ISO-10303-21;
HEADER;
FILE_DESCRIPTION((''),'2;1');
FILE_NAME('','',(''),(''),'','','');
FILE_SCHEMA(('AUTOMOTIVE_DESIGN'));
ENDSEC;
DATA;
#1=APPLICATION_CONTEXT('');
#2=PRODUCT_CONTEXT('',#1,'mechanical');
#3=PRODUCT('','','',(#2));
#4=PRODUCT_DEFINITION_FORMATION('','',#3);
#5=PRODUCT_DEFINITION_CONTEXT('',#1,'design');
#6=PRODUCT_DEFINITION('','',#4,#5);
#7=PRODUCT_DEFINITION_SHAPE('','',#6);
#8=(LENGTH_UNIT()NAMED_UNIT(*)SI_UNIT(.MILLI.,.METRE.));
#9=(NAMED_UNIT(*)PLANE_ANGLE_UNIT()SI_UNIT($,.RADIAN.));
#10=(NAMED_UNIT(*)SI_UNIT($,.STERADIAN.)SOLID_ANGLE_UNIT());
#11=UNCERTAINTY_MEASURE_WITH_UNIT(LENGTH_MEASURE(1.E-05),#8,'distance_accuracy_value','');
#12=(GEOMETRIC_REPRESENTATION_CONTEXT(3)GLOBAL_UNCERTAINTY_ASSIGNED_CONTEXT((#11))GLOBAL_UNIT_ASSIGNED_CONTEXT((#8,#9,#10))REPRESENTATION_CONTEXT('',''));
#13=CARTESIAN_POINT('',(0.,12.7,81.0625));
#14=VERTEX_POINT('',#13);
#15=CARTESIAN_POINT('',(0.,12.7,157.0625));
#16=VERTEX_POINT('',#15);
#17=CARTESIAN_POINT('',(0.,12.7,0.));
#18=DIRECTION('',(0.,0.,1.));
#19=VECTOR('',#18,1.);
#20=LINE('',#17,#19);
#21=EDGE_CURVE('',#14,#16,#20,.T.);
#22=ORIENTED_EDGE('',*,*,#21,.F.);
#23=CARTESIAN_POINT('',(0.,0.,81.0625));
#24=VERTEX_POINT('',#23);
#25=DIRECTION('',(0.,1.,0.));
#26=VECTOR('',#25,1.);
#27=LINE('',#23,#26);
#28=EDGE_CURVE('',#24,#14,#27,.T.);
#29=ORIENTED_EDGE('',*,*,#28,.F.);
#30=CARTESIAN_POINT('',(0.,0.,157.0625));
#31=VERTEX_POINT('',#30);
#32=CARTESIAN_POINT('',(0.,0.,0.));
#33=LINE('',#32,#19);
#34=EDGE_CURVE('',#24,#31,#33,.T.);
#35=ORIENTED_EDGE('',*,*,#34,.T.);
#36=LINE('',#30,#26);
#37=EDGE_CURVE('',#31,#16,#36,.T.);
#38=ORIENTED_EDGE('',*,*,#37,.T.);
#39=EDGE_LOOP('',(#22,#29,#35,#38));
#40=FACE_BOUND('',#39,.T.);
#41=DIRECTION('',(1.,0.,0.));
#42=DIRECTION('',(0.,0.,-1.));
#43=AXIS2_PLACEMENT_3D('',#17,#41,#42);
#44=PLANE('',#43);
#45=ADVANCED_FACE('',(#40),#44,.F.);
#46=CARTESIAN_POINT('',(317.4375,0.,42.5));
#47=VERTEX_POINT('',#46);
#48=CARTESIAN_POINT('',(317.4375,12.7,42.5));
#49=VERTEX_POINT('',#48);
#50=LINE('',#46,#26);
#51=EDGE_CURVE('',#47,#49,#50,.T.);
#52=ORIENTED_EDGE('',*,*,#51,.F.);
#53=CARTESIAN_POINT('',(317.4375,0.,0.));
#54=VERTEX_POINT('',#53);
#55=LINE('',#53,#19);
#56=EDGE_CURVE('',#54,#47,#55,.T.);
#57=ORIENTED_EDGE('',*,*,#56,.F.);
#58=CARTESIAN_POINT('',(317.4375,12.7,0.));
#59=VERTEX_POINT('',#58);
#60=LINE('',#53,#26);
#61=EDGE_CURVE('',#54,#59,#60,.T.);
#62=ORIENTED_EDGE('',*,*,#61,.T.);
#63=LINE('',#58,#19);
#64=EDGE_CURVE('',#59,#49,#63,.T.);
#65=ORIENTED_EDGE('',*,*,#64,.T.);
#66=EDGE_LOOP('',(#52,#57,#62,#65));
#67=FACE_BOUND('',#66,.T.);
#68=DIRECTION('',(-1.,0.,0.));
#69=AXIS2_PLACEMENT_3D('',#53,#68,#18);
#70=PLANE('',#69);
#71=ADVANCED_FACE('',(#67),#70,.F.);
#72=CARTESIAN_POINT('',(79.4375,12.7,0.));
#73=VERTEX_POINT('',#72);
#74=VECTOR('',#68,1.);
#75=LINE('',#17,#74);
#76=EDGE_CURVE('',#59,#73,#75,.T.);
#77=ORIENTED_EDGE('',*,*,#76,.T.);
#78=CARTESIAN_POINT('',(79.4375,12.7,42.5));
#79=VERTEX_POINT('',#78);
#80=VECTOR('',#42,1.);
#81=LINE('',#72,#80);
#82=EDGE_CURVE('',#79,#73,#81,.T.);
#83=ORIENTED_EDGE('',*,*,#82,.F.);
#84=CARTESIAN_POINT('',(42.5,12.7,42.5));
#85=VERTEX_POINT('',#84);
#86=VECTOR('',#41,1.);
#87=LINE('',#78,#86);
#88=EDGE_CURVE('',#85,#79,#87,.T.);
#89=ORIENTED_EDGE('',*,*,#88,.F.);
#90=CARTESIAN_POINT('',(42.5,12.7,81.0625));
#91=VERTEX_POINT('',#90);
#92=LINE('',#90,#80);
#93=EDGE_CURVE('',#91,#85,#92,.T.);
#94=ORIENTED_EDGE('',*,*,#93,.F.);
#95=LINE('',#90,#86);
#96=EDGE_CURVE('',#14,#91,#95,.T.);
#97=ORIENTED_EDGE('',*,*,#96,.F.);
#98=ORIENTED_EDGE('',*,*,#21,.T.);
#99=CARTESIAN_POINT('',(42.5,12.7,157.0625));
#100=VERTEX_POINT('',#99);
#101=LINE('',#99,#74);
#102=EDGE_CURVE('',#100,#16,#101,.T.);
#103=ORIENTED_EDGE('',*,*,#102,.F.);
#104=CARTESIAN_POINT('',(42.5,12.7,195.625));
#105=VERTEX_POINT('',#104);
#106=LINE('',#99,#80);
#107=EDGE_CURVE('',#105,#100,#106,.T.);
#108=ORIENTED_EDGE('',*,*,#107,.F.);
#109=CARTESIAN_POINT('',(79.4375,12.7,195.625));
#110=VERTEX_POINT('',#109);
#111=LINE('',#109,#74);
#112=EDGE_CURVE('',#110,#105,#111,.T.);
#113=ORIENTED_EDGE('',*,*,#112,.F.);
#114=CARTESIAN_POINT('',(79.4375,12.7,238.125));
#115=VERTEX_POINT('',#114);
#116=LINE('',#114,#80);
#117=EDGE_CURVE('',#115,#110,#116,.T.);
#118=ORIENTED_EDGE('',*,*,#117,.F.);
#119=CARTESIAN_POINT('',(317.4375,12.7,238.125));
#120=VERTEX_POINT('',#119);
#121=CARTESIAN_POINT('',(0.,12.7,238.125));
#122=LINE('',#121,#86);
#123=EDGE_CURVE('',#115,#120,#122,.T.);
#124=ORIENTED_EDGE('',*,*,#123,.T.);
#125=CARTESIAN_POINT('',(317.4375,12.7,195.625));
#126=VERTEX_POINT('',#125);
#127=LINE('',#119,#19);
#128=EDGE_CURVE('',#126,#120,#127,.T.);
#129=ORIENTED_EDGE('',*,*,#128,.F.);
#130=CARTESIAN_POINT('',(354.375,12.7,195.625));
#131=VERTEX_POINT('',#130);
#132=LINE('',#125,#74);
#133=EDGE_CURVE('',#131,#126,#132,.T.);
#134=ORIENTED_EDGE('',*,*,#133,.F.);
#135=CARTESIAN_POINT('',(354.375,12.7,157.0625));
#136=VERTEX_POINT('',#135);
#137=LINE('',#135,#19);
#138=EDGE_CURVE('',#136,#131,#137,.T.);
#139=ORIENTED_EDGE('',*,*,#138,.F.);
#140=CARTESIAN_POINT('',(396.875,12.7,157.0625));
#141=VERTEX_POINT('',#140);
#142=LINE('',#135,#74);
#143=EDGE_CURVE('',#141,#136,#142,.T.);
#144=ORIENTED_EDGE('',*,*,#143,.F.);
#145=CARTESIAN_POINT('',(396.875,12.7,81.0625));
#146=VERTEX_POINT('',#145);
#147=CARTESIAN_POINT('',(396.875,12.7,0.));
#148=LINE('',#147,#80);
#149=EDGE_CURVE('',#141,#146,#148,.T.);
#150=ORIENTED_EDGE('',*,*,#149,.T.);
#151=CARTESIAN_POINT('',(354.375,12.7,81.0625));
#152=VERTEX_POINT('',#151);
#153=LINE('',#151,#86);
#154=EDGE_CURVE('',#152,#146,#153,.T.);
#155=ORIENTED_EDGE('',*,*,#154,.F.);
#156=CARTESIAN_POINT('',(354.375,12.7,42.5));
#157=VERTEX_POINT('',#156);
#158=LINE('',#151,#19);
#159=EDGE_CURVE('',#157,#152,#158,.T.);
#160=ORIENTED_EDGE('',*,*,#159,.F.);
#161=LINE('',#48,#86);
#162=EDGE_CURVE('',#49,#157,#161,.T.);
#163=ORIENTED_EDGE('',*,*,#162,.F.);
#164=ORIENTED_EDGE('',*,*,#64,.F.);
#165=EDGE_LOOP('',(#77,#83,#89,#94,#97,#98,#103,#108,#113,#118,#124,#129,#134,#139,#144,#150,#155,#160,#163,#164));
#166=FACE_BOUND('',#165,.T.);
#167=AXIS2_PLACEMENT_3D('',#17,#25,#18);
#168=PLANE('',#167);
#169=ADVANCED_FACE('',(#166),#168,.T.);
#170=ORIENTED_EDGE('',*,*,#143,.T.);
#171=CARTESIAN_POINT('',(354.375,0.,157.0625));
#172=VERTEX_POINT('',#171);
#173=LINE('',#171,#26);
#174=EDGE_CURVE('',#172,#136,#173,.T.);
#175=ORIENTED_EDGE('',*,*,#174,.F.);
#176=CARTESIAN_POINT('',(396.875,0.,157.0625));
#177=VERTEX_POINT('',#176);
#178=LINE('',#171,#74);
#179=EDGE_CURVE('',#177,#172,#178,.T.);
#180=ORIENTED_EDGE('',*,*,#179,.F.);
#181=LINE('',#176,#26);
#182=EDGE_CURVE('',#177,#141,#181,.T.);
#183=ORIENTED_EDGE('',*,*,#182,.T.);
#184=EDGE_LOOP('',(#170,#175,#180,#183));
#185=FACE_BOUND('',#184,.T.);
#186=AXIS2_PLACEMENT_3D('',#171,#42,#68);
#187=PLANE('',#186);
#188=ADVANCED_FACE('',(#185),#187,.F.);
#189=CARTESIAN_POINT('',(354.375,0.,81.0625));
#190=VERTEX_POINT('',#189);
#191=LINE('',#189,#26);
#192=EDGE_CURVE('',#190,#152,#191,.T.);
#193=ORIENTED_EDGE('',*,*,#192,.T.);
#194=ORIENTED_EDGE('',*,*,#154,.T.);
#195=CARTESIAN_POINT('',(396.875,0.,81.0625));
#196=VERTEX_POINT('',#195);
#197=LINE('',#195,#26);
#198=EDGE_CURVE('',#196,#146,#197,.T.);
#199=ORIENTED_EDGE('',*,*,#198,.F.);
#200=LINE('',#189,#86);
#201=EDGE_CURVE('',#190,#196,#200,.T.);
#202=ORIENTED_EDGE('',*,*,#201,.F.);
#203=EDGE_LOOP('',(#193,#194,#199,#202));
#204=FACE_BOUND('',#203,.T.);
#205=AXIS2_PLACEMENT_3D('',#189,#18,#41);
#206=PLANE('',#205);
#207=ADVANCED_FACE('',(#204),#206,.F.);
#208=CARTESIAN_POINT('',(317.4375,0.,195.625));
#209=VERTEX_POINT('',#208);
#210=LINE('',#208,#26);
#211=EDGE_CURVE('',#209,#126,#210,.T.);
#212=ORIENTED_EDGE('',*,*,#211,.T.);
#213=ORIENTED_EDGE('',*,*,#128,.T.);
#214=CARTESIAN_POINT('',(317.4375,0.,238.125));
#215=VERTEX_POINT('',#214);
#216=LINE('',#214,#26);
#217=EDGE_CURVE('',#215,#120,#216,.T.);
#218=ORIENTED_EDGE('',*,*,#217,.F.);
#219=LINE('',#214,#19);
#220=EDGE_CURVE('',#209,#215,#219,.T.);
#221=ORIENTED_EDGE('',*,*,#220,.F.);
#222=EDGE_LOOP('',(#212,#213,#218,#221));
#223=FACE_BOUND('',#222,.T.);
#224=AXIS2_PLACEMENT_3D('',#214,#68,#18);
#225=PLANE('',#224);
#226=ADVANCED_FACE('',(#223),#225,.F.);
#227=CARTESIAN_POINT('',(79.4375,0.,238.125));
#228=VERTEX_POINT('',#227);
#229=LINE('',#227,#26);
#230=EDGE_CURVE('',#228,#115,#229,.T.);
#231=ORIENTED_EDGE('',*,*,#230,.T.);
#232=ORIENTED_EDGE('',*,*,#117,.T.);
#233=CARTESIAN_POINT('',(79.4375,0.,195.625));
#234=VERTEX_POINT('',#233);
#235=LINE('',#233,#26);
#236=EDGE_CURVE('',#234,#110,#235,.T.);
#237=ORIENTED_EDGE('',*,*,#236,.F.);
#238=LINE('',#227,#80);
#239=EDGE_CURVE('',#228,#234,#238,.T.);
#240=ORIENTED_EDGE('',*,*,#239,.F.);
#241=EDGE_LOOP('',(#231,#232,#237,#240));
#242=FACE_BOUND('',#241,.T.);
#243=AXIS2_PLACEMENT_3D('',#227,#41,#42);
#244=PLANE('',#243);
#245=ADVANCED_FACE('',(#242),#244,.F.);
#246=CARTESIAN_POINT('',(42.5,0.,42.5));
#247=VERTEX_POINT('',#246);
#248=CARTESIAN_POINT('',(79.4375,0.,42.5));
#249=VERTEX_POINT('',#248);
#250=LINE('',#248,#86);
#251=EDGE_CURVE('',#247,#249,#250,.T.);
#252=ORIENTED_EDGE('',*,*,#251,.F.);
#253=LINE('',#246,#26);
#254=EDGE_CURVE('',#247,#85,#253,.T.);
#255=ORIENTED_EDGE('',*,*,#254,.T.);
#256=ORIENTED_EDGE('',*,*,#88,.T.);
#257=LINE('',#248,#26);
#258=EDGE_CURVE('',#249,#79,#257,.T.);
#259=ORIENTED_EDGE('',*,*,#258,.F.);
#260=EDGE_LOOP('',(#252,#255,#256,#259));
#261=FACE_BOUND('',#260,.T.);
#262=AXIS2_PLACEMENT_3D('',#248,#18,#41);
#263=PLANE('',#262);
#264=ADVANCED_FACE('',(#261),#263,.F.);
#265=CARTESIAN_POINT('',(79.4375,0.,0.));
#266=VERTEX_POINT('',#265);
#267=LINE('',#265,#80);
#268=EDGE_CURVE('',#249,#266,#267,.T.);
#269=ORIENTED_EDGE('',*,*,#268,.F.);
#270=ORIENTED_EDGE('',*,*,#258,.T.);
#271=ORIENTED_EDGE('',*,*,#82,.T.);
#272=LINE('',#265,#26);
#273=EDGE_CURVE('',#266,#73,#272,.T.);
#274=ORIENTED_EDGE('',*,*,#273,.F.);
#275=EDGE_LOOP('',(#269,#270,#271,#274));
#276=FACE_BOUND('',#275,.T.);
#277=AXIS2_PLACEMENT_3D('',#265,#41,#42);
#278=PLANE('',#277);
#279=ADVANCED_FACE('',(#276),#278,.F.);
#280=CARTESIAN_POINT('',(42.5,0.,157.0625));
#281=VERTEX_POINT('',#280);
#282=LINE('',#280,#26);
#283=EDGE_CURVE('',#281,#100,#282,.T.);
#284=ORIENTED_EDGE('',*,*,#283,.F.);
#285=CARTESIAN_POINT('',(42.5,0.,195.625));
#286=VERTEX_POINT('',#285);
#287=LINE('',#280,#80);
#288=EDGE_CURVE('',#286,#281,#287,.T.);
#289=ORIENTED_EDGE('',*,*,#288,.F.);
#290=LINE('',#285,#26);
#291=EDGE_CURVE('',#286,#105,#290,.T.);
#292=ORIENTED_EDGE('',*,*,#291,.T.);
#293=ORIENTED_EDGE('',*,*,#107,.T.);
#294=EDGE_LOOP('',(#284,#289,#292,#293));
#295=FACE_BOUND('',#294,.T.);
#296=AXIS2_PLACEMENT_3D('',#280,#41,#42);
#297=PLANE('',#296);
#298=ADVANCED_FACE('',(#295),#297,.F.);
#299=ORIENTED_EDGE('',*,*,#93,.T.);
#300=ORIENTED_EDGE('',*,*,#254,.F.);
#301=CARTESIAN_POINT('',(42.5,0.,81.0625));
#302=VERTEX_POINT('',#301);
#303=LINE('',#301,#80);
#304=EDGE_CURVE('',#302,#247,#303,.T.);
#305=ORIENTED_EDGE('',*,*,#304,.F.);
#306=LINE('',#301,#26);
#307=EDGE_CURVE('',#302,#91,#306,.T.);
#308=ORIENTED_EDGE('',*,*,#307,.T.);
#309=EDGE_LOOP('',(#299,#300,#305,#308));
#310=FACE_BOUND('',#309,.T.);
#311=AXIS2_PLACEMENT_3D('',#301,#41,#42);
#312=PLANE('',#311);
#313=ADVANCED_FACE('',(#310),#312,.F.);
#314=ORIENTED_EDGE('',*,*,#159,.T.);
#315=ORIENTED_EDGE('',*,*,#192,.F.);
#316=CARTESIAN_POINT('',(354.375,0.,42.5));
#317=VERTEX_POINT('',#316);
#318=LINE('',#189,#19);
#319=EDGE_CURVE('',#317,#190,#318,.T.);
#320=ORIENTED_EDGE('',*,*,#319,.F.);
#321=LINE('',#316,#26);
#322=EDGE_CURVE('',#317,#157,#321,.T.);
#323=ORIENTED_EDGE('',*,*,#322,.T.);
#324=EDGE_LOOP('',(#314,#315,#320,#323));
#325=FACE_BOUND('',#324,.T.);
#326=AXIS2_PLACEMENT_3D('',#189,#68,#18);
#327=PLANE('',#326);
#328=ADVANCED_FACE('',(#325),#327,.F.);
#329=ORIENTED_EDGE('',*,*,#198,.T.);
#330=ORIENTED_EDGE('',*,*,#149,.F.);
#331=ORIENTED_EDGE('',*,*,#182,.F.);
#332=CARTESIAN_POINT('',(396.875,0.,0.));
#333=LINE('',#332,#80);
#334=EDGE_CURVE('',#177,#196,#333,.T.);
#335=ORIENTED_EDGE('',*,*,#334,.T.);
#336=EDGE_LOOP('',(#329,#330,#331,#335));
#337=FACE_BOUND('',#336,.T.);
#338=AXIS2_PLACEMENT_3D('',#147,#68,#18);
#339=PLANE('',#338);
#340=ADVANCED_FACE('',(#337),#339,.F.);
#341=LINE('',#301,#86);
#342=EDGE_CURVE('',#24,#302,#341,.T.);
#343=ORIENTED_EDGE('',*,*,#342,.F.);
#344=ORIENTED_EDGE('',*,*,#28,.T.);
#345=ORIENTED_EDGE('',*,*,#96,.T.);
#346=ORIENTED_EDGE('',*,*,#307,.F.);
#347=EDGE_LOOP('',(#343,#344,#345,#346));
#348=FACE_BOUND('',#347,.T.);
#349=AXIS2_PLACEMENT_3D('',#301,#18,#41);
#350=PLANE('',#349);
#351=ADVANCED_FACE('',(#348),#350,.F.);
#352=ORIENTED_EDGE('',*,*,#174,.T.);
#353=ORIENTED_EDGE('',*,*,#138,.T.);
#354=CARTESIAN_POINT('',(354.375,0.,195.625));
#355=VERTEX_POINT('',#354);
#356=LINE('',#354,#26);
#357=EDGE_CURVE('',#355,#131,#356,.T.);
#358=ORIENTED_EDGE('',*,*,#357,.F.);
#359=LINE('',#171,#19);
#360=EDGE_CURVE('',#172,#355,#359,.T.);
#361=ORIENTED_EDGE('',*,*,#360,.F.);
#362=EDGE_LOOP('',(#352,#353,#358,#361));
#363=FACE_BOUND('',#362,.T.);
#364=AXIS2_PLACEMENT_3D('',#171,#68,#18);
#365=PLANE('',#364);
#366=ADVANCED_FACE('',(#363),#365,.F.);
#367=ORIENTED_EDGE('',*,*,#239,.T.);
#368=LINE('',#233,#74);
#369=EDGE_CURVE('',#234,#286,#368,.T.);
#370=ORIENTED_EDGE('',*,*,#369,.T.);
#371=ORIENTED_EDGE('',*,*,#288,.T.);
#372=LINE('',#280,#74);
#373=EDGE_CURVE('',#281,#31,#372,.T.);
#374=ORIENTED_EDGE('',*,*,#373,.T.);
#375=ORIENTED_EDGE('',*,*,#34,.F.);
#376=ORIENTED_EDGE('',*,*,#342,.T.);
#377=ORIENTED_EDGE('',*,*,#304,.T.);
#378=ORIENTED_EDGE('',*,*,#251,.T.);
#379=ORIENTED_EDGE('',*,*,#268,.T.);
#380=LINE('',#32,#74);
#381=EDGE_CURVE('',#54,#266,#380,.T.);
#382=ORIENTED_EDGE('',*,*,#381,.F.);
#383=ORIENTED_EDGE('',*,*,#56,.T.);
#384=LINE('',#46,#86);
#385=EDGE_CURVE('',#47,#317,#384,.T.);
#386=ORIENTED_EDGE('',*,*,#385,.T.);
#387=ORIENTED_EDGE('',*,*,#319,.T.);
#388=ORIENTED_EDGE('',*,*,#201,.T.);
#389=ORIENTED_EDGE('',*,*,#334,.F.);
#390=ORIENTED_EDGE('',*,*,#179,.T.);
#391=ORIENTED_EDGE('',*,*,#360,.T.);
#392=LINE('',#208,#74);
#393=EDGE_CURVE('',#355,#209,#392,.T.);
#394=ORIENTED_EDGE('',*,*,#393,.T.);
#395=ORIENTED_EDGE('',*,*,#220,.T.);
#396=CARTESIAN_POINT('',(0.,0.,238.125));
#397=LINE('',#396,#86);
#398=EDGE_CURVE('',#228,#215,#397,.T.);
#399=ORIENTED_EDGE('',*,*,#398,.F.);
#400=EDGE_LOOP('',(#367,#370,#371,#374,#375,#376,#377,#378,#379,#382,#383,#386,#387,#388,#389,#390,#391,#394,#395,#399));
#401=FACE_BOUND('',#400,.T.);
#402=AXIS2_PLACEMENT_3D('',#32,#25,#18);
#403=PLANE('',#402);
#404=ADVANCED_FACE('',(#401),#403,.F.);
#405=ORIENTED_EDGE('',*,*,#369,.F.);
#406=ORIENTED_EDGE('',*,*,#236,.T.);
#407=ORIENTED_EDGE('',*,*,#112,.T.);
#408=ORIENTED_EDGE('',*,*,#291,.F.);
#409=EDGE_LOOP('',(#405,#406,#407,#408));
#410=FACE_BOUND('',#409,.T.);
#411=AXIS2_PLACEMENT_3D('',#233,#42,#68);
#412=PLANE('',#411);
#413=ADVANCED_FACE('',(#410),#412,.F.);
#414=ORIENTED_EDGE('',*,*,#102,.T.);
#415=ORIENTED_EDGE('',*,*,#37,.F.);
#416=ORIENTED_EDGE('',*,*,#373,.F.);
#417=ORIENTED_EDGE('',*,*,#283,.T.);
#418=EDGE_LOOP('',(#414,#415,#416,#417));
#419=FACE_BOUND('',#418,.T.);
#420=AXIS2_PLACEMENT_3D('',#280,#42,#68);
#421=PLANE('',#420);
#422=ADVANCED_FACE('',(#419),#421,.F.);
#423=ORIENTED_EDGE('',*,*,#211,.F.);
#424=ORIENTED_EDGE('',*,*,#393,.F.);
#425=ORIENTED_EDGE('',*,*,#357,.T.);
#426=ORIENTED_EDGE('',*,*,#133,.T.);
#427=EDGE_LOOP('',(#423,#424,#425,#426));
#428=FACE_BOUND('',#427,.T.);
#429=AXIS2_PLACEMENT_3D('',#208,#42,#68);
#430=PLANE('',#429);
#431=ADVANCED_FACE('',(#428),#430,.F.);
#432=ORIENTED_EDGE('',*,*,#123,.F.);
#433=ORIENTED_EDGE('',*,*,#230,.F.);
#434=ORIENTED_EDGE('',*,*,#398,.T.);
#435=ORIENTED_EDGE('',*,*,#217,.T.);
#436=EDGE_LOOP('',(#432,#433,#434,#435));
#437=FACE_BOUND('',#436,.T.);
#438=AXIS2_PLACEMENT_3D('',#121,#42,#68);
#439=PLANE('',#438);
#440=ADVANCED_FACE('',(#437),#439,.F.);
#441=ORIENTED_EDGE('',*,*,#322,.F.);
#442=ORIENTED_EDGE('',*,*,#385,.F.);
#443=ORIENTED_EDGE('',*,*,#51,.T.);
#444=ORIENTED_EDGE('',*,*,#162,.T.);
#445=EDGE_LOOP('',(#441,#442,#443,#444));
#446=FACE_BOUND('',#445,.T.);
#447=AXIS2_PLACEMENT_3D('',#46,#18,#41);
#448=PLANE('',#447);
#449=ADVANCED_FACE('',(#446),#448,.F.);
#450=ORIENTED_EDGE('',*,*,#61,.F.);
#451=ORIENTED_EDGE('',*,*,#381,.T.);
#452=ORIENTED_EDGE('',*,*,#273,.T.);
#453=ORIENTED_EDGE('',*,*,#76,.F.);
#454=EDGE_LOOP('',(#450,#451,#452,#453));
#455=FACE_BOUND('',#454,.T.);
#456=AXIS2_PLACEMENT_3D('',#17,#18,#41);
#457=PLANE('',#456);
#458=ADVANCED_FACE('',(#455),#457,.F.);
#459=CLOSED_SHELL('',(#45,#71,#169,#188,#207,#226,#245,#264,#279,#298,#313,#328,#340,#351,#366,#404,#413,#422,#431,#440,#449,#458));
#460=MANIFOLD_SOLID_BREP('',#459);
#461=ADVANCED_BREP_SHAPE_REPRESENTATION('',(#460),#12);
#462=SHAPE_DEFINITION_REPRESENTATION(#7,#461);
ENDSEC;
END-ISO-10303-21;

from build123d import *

# Parameters (mm, degrees)
SKETCH1_W           = 396.875
SKETCH1_H           = 238.125
BOSS_EXTRUDE1_DEPTH = 12.7
CUT_EXTRUDE1_DEPTH  = 13.7


with BuildPart() as part:
    # Sketch1 → Boss-Extrude1 (new body)
    with BuildSketch(Plane(origin=(0, 0, 0), x_dir=(1, 0, 0), z_dir=(0, 1, 0))):
        with Locations((198.4375, -119.0625)):
            Rectangle(SKETCH1_W, SKETCH1_H)
    extrude(amount=BOSS_EXTRUDE1_DEPTH)

    # Sketch2 → Cut-Extrude1 (cut, through all)
    with BuildSketch(Plane(origin=(0, 12.7, 0), x_dir=(1, 0, 0), z_dir=(0, 1, 0))):
        Polygon((79.4375, -238.125), (0, -238.125), (0, -195.625), (0, -157.0625), (42.5, -157.0625), (42.5, -195.625), (79.4375, -195.625), align=None)
        Polygon((79.4375, 0), (0, 0), (0, -42.5), (0, -81.0625), (42.5, -81.0625), (42.5, -42.5), (79.4375, -42.5), align=None)
        Polygon((317.4375, 0), (396.875, 0), (396.875, -42.5), (396.875, -81.0625), (354.375, -81.0625), (354.375, -42.5), (317.4375, -42.5), align=None)
        Polygon((317.4375, -238.125), (317.4375, -195.625), (354.375, -195.625), (354.375, -157.0625), (396.875, -157.0625), (396.875, -195.625), (396.875, -238.125), align=None)
    extrude(amount=-CUT_EXTRUDE1_DEPTH, mode=Mode.SUBTRACT)


solid = part.part
